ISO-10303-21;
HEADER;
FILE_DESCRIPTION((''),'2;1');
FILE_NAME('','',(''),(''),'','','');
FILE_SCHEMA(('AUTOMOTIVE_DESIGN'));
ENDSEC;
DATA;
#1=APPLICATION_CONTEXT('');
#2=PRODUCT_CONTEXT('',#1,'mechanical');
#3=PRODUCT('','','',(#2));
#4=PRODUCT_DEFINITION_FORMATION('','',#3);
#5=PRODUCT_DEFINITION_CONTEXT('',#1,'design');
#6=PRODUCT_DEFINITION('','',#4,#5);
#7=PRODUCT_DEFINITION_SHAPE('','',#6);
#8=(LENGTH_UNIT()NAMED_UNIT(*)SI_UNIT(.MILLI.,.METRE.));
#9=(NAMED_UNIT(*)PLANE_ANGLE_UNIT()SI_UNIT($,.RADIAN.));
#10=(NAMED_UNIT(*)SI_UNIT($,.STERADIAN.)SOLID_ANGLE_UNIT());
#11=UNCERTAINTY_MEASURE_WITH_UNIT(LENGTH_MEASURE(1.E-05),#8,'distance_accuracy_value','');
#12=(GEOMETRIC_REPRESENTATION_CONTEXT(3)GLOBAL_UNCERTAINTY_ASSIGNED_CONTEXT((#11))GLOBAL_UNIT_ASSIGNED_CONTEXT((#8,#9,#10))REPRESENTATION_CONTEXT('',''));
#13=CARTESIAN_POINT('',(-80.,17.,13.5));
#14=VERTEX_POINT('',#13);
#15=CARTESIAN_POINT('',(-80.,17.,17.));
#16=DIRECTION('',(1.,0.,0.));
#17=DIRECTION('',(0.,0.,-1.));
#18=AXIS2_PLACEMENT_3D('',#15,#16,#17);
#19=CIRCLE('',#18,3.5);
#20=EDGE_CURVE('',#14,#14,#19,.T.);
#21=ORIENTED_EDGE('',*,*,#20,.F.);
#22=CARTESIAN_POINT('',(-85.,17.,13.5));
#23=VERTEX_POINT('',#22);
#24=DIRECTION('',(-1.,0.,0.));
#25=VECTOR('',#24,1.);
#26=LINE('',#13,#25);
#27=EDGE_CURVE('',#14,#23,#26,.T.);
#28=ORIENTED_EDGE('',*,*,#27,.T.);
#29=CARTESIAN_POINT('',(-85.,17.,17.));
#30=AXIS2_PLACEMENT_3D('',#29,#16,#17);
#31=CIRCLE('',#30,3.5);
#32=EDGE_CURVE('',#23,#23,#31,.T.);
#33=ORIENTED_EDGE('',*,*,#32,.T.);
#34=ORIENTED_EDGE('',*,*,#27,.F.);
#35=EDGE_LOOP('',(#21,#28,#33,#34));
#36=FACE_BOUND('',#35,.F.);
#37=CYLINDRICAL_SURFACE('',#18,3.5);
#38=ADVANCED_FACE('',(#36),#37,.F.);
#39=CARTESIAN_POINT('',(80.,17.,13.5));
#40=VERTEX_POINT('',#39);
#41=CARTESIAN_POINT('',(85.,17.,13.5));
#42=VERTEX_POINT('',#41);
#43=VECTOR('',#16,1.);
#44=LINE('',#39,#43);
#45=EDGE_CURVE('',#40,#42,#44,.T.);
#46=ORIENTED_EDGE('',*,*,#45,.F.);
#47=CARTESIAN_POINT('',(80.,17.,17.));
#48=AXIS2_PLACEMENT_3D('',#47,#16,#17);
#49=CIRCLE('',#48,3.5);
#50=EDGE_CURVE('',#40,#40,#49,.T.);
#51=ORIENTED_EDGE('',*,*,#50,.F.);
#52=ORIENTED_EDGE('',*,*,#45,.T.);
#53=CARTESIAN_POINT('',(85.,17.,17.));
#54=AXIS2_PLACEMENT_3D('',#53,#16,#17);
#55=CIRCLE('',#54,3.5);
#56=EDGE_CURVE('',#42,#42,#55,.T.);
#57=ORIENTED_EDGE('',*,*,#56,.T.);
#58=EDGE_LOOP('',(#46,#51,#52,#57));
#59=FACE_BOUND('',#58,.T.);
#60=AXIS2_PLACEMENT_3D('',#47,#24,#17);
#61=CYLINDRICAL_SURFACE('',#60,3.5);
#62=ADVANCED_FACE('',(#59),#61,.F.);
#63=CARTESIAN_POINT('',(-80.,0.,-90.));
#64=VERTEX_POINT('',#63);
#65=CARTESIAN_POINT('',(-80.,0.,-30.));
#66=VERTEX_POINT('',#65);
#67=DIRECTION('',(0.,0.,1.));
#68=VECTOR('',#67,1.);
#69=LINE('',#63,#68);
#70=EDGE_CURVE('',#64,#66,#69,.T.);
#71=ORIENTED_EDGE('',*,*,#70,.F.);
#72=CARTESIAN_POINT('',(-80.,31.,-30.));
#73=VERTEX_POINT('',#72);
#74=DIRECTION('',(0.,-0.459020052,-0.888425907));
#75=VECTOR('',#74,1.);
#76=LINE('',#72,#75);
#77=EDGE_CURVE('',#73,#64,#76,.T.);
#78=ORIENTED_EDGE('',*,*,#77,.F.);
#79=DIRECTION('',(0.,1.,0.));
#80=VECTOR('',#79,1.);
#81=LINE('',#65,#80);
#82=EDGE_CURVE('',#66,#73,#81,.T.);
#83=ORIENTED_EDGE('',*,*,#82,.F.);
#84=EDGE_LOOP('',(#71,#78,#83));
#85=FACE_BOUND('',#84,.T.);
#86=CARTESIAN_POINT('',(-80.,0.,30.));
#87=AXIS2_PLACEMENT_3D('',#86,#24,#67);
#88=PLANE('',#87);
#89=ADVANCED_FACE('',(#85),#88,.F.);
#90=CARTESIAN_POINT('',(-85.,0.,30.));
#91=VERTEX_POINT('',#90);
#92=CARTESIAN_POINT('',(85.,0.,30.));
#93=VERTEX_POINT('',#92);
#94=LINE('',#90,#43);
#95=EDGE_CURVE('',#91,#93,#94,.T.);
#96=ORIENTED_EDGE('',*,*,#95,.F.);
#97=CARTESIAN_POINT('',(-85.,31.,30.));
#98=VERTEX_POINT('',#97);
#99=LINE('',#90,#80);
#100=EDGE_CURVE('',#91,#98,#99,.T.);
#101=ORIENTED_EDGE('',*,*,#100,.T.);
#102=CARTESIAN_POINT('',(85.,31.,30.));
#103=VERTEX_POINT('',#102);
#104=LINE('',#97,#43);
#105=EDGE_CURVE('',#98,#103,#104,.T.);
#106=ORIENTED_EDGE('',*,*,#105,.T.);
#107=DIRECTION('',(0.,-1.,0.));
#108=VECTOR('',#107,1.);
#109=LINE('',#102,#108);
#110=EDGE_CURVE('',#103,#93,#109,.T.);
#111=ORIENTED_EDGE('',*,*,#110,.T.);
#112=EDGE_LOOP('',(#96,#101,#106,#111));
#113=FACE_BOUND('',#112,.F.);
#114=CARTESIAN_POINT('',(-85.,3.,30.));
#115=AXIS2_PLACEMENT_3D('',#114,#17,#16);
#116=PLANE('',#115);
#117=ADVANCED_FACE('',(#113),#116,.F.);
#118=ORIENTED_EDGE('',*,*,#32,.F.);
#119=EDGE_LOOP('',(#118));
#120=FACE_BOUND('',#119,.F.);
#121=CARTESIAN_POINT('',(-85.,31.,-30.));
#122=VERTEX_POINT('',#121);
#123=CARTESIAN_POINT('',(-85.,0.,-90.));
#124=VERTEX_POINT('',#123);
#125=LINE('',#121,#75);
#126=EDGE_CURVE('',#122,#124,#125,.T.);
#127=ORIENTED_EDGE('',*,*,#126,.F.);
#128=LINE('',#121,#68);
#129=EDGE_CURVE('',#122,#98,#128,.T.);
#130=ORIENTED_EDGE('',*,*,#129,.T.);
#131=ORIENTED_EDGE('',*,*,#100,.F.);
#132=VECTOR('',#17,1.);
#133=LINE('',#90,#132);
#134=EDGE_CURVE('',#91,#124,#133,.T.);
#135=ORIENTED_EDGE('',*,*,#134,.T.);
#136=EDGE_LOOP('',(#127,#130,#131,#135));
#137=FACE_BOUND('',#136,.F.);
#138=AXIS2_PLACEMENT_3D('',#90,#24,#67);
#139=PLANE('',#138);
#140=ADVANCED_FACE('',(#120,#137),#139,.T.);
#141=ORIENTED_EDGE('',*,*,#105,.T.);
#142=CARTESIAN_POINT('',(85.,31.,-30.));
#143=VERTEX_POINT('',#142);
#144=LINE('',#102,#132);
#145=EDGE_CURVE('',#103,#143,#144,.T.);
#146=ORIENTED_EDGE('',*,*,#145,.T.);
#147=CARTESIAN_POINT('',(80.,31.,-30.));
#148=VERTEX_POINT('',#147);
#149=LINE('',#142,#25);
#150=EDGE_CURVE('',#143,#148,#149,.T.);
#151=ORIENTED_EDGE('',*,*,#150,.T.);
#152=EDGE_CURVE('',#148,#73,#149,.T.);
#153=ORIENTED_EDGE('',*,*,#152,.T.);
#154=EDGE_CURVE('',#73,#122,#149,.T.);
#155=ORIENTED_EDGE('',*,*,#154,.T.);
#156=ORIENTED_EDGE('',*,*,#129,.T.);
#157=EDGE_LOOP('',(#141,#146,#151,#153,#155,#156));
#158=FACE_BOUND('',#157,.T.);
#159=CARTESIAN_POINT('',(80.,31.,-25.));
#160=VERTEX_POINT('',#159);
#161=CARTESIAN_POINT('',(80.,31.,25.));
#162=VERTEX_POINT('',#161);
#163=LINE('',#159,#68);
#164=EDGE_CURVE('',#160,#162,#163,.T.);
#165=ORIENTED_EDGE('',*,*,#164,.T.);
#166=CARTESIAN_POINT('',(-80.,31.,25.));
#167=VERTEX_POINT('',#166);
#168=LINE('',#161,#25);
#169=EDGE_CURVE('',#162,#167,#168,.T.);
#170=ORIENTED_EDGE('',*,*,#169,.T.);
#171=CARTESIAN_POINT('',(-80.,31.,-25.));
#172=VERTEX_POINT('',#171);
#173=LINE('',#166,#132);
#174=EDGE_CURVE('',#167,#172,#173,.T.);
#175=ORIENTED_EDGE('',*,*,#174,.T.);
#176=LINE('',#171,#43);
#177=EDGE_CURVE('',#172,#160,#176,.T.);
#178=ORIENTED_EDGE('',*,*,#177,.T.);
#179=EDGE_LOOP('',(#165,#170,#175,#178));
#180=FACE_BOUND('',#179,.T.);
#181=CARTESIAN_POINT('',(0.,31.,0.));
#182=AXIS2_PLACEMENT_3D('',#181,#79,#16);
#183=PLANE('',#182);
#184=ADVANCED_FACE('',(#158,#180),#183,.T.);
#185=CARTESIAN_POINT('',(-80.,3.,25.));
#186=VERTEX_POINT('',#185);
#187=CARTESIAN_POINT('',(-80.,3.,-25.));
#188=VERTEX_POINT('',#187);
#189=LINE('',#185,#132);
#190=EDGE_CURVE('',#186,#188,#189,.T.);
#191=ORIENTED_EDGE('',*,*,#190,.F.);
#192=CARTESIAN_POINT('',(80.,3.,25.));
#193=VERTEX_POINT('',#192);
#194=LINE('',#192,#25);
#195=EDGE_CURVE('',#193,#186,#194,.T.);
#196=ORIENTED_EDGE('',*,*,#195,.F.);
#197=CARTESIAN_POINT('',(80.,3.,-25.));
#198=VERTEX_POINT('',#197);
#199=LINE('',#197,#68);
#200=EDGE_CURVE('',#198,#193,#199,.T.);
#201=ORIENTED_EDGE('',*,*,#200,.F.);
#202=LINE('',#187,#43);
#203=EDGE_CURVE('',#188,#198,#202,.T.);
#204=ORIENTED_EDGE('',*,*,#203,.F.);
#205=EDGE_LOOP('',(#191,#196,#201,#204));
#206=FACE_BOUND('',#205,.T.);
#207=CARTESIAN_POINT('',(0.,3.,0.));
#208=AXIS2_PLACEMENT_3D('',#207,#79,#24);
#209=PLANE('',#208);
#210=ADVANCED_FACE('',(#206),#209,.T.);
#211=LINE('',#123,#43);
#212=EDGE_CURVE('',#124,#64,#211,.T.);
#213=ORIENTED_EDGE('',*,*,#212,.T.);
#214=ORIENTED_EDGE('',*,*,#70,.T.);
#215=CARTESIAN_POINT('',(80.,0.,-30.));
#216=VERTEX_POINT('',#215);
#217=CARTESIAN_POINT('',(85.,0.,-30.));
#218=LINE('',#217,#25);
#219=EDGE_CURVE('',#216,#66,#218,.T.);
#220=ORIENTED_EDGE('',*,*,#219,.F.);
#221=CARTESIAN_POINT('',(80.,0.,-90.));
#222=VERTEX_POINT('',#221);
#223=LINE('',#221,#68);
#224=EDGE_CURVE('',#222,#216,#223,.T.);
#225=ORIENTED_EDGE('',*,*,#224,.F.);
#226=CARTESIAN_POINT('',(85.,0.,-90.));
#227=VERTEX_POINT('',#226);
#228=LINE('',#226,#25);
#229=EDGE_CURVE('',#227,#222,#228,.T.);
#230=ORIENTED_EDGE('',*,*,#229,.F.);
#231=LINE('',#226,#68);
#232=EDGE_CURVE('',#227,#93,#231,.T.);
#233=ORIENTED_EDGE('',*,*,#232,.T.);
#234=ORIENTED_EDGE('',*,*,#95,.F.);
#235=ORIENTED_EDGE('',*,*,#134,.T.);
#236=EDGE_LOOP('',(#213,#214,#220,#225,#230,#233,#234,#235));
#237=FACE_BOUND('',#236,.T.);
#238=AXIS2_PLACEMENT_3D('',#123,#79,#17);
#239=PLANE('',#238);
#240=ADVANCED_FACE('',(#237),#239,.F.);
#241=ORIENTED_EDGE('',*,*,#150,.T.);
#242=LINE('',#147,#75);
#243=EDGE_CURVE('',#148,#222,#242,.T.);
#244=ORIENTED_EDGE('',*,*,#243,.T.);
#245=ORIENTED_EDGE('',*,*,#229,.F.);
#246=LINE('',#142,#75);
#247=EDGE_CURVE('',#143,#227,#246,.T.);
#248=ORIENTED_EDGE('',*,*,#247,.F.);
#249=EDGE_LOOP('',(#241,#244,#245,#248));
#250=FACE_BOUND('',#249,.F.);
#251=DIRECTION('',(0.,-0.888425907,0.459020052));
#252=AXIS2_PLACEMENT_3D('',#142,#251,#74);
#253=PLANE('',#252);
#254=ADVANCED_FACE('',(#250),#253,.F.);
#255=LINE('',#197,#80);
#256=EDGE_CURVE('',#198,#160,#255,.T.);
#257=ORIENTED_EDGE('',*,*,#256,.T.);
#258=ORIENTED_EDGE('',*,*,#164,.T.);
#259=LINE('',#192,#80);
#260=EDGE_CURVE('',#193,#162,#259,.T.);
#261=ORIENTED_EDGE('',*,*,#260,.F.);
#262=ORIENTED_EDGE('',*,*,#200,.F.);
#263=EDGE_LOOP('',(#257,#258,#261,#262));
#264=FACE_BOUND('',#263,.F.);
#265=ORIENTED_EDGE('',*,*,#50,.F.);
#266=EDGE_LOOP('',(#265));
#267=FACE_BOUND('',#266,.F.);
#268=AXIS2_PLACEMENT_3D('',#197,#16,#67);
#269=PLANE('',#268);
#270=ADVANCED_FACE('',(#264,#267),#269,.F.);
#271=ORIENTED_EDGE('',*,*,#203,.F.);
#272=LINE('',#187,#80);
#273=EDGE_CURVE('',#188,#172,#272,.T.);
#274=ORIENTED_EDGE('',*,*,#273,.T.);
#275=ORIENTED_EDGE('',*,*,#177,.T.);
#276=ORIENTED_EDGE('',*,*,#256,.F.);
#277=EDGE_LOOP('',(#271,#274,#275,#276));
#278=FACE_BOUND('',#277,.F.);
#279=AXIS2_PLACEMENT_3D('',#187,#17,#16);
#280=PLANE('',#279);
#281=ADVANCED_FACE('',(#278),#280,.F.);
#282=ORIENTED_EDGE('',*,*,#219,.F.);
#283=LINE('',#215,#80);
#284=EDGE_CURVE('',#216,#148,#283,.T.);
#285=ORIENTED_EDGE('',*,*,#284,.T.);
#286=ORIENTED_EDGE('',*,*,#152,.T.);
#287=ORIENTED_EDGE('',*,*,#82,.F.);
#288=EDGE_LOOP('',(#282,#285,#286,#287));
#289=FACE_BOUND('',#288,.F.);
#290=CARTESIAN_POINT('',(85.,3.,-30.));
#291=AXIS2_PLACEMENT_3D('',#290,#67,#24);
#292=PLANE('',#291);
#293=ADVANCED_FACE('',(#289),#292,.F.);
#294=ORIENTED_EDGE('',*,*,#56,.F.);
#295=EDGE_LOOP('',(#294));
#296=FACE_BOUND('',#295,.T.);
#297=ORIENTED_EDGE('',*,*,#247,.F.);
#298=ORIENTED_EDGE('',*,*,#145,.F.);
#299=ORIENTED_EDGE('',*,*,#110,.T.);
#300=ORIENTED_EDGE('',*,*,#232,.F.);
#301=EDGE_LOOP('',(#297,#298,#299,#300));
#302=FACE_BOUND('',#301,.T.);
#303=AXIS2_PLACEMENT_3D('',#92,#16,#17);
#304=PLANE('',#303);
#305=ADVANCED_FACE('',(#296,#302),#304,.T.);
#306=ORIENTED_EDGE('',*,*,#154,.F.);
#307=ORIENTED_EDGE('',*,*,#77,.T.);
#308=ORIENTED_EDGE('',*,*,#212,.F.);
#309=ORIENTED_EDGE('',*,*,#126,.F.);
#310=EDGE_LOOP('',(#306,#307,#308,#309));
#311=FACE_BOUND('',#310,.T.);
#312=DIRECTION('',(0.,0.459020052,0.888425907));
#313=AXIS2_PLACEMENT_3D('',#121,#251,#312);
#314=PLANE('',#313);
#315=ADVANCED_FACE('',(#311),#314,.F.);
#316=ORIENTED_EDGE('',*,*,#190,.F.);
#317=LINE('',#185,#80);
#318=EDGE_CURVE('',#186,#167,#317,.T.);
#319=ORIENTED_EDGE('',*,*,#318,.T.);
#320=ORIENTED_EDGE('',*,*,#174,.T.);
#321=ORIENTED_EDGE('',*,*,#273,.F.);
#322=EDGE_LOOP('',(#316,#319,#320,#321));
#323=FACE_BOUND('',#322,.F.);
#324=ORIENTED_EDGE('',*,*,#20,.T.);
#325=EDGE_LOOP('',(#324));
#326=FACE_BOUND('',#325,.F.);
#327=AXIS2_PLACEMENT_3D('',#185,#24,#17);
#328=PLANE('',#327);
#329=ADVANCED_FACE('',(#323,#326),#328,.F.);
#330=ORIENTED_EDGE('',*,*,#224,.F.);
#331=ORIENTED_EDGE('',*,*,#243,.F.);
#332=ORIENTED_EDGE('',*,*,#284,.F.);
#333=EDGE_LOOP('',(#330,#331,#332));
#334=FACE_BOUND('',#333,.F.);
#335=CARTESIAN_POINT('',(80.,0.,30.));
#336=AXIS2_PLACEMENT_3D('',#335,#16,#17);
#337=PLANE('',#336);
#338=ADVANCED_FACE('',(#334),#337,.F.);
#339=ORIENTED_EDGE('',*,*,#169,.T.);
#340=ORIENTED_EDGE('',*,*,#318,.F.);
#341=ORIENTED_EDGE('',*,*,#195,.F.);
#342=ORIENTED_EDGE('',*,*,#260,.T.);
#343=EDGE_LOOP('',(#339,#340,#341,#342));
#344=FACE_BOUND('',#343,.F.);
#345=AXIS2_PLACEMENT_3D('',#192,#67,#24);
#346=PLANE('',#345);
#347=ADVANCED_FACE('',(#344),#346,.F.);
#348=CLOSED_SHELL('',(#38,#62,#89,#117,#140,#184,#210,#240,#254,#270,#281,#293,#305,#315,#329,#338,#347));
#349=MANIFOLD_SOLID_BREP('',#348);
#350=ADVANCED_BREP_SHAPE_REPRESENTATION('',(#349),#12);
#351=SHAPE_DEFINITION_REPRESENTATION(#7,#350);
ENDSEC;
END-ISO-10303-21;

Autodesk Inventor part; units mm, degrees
ref_plane "YZ Plane" through (0, 0, 0) normal (1, 0, 0) x (0, 1, 0)
ref_plane "XZ Plane" through (0, 0, 0) normal (0, 1, 0) x (-1, 0, 0)
ref_plane "XY Plane" through (0, 0, 0) normal (0, 0, 1) x (1, 0, 0)
sketch "Sketch1" plane through (0, 0, 0) normal (0, 1, 0) x (-1, 0, 0)
  line L0 (85, 30) -> (-85, 30)
  line L1 (-85, 30) -> (-85, -30)
  line L2 (-85, -30) -> (85, -30)
  line L3 (85, -30) -> (85, 30)
  line L4 (85, 30) -> (-85, -30) construction
  line L5 (-85, 30) -> (85, -30) construction
  line L6 (0, -42) -> (0, 42) projected
  point P0 (0, 0)
  point P1 (-100, -30)
  point P2 (-85, -27)
  dimension "d0" = 170
  dimension "d1" = 60
  dimension "d32" = 15
extrude "Extrusion1" add sketch "Sketch1" along normal blind 3
sketch "Sketch2" plane through (0, 3, 0) normal (0, 1, 0) x (1, 0, 0)
  line L0 (-85, 30) -> (-85, -30) projected
  line L1 (-85, -30) -> (85, -30) projected
  line L2 (85, -30) -> (85, 30) projected
  line L3 (80, -25) -> (-80, -25)
  line L4 (-80, -25) -> (-80, 25)
  line L5 (-80, 25) -> (80, 25)
  line L6 (80, 25) -> (80, -25)
  line L7 (80, -25) -> (-80, 25) construction
  line L8 (-80, -25) -> (80, 25) construction
  line L9 (85, 30) -> (-85, 30) projected
  point P0 (0, 0)
  dimension "d36" = 160
  dimension "d37" = 50
extrude "Extrusion2" add sketch "Sketch2" along normal blind 28
sketch "Sketch9" plane through (-80, 20, 19) normal (1, 0, 0) x (0, 0, -1)
  circle A0 centre (2, -3) radius 3.5
  line L0 (49, -20) -> (-11, -20) projected
  line L1 (-11, -20) -> (-11, 11) projected
  point P0 (19, -20)
  point P1 (44, -20)
  dimension "d27" = 7
  dimension "d28" = 17
  dimension "d41" = 13
extrude "Extrusion7" cut sketch "Sketch9" against normal up to surface (5 mm away)
mirror "Mirror2" about plane through (0, 0, 0) normal (1, 0, 0) of "Extrusion7"
sketch "Sketch14" plane through (0, 3, 0) normal (0, 1, 0) x (1, 0, 0)
  point P0 (0, 0)
sketch "Sketch15" plane through (85, 0, 30) normal (1, 0, 0) x (0, 0, -1)
  line L0 (60, 31) -> (0, 31) projected
  line L1 (60, 31) -> (120, 0)
  line L2 (120, 0) -> (60, 0)
  circle A0 centre (13, 17) radius 3.5 projected
  line L3 (0, 0) -> (60, 0) projected
  line L4 (60, 0) -> (60, 31) projected
  line L5 (0, 31) -> (60, 31) projected
  line L6 (0, 0) -> (0, 31) projected
  point P0 (30, 0)
  dimension "d67" = 60
extrude "Extrusion12" add sketch "Sketch15" against normal blind 5 contours L1 L2 L4
mirror "Mirror5" about plane through (0, 0, 0) normal (1, 0, 0) of "Extrusion12"
equation "\"d0\" = Width"
equation "\"d1\" = Length"
equation "\"d32\" = -0.5 * Width + 0.5 * FullWidth"
equation "\"d2\" = BaseWallThickness"
equation "\"d36\" = Width - 2 * SideWallThickness"
equation "\"d37\" = Length - 2 * SideWallThickness"
equation "\"d5\" = Height - 2 * BaseWallThickness"
equation "\"d28\" = DriveMotorHeight"
equation "\"d67\" = WedgeLength"
equation "\"d68\" = SideWallThickness"
equation "\"SideWallThickness\" = 5"
equation "\"BaseWallThickness\" = 3"
equation "\"Width\" = 170"
equation "\"Length\" = 60"
equation "\"Height\" = 34"
equation "\"DriveMotorHeight\" = 17"
equation "\"DriveMotorMountThickness\" = 2"
equation "\"WedgeLength\" = 60"
equation "\"FullWidth\" = 200"
properties part number "BodyWedgeV1-NoMotor" material "Thermoplastic Resin"
